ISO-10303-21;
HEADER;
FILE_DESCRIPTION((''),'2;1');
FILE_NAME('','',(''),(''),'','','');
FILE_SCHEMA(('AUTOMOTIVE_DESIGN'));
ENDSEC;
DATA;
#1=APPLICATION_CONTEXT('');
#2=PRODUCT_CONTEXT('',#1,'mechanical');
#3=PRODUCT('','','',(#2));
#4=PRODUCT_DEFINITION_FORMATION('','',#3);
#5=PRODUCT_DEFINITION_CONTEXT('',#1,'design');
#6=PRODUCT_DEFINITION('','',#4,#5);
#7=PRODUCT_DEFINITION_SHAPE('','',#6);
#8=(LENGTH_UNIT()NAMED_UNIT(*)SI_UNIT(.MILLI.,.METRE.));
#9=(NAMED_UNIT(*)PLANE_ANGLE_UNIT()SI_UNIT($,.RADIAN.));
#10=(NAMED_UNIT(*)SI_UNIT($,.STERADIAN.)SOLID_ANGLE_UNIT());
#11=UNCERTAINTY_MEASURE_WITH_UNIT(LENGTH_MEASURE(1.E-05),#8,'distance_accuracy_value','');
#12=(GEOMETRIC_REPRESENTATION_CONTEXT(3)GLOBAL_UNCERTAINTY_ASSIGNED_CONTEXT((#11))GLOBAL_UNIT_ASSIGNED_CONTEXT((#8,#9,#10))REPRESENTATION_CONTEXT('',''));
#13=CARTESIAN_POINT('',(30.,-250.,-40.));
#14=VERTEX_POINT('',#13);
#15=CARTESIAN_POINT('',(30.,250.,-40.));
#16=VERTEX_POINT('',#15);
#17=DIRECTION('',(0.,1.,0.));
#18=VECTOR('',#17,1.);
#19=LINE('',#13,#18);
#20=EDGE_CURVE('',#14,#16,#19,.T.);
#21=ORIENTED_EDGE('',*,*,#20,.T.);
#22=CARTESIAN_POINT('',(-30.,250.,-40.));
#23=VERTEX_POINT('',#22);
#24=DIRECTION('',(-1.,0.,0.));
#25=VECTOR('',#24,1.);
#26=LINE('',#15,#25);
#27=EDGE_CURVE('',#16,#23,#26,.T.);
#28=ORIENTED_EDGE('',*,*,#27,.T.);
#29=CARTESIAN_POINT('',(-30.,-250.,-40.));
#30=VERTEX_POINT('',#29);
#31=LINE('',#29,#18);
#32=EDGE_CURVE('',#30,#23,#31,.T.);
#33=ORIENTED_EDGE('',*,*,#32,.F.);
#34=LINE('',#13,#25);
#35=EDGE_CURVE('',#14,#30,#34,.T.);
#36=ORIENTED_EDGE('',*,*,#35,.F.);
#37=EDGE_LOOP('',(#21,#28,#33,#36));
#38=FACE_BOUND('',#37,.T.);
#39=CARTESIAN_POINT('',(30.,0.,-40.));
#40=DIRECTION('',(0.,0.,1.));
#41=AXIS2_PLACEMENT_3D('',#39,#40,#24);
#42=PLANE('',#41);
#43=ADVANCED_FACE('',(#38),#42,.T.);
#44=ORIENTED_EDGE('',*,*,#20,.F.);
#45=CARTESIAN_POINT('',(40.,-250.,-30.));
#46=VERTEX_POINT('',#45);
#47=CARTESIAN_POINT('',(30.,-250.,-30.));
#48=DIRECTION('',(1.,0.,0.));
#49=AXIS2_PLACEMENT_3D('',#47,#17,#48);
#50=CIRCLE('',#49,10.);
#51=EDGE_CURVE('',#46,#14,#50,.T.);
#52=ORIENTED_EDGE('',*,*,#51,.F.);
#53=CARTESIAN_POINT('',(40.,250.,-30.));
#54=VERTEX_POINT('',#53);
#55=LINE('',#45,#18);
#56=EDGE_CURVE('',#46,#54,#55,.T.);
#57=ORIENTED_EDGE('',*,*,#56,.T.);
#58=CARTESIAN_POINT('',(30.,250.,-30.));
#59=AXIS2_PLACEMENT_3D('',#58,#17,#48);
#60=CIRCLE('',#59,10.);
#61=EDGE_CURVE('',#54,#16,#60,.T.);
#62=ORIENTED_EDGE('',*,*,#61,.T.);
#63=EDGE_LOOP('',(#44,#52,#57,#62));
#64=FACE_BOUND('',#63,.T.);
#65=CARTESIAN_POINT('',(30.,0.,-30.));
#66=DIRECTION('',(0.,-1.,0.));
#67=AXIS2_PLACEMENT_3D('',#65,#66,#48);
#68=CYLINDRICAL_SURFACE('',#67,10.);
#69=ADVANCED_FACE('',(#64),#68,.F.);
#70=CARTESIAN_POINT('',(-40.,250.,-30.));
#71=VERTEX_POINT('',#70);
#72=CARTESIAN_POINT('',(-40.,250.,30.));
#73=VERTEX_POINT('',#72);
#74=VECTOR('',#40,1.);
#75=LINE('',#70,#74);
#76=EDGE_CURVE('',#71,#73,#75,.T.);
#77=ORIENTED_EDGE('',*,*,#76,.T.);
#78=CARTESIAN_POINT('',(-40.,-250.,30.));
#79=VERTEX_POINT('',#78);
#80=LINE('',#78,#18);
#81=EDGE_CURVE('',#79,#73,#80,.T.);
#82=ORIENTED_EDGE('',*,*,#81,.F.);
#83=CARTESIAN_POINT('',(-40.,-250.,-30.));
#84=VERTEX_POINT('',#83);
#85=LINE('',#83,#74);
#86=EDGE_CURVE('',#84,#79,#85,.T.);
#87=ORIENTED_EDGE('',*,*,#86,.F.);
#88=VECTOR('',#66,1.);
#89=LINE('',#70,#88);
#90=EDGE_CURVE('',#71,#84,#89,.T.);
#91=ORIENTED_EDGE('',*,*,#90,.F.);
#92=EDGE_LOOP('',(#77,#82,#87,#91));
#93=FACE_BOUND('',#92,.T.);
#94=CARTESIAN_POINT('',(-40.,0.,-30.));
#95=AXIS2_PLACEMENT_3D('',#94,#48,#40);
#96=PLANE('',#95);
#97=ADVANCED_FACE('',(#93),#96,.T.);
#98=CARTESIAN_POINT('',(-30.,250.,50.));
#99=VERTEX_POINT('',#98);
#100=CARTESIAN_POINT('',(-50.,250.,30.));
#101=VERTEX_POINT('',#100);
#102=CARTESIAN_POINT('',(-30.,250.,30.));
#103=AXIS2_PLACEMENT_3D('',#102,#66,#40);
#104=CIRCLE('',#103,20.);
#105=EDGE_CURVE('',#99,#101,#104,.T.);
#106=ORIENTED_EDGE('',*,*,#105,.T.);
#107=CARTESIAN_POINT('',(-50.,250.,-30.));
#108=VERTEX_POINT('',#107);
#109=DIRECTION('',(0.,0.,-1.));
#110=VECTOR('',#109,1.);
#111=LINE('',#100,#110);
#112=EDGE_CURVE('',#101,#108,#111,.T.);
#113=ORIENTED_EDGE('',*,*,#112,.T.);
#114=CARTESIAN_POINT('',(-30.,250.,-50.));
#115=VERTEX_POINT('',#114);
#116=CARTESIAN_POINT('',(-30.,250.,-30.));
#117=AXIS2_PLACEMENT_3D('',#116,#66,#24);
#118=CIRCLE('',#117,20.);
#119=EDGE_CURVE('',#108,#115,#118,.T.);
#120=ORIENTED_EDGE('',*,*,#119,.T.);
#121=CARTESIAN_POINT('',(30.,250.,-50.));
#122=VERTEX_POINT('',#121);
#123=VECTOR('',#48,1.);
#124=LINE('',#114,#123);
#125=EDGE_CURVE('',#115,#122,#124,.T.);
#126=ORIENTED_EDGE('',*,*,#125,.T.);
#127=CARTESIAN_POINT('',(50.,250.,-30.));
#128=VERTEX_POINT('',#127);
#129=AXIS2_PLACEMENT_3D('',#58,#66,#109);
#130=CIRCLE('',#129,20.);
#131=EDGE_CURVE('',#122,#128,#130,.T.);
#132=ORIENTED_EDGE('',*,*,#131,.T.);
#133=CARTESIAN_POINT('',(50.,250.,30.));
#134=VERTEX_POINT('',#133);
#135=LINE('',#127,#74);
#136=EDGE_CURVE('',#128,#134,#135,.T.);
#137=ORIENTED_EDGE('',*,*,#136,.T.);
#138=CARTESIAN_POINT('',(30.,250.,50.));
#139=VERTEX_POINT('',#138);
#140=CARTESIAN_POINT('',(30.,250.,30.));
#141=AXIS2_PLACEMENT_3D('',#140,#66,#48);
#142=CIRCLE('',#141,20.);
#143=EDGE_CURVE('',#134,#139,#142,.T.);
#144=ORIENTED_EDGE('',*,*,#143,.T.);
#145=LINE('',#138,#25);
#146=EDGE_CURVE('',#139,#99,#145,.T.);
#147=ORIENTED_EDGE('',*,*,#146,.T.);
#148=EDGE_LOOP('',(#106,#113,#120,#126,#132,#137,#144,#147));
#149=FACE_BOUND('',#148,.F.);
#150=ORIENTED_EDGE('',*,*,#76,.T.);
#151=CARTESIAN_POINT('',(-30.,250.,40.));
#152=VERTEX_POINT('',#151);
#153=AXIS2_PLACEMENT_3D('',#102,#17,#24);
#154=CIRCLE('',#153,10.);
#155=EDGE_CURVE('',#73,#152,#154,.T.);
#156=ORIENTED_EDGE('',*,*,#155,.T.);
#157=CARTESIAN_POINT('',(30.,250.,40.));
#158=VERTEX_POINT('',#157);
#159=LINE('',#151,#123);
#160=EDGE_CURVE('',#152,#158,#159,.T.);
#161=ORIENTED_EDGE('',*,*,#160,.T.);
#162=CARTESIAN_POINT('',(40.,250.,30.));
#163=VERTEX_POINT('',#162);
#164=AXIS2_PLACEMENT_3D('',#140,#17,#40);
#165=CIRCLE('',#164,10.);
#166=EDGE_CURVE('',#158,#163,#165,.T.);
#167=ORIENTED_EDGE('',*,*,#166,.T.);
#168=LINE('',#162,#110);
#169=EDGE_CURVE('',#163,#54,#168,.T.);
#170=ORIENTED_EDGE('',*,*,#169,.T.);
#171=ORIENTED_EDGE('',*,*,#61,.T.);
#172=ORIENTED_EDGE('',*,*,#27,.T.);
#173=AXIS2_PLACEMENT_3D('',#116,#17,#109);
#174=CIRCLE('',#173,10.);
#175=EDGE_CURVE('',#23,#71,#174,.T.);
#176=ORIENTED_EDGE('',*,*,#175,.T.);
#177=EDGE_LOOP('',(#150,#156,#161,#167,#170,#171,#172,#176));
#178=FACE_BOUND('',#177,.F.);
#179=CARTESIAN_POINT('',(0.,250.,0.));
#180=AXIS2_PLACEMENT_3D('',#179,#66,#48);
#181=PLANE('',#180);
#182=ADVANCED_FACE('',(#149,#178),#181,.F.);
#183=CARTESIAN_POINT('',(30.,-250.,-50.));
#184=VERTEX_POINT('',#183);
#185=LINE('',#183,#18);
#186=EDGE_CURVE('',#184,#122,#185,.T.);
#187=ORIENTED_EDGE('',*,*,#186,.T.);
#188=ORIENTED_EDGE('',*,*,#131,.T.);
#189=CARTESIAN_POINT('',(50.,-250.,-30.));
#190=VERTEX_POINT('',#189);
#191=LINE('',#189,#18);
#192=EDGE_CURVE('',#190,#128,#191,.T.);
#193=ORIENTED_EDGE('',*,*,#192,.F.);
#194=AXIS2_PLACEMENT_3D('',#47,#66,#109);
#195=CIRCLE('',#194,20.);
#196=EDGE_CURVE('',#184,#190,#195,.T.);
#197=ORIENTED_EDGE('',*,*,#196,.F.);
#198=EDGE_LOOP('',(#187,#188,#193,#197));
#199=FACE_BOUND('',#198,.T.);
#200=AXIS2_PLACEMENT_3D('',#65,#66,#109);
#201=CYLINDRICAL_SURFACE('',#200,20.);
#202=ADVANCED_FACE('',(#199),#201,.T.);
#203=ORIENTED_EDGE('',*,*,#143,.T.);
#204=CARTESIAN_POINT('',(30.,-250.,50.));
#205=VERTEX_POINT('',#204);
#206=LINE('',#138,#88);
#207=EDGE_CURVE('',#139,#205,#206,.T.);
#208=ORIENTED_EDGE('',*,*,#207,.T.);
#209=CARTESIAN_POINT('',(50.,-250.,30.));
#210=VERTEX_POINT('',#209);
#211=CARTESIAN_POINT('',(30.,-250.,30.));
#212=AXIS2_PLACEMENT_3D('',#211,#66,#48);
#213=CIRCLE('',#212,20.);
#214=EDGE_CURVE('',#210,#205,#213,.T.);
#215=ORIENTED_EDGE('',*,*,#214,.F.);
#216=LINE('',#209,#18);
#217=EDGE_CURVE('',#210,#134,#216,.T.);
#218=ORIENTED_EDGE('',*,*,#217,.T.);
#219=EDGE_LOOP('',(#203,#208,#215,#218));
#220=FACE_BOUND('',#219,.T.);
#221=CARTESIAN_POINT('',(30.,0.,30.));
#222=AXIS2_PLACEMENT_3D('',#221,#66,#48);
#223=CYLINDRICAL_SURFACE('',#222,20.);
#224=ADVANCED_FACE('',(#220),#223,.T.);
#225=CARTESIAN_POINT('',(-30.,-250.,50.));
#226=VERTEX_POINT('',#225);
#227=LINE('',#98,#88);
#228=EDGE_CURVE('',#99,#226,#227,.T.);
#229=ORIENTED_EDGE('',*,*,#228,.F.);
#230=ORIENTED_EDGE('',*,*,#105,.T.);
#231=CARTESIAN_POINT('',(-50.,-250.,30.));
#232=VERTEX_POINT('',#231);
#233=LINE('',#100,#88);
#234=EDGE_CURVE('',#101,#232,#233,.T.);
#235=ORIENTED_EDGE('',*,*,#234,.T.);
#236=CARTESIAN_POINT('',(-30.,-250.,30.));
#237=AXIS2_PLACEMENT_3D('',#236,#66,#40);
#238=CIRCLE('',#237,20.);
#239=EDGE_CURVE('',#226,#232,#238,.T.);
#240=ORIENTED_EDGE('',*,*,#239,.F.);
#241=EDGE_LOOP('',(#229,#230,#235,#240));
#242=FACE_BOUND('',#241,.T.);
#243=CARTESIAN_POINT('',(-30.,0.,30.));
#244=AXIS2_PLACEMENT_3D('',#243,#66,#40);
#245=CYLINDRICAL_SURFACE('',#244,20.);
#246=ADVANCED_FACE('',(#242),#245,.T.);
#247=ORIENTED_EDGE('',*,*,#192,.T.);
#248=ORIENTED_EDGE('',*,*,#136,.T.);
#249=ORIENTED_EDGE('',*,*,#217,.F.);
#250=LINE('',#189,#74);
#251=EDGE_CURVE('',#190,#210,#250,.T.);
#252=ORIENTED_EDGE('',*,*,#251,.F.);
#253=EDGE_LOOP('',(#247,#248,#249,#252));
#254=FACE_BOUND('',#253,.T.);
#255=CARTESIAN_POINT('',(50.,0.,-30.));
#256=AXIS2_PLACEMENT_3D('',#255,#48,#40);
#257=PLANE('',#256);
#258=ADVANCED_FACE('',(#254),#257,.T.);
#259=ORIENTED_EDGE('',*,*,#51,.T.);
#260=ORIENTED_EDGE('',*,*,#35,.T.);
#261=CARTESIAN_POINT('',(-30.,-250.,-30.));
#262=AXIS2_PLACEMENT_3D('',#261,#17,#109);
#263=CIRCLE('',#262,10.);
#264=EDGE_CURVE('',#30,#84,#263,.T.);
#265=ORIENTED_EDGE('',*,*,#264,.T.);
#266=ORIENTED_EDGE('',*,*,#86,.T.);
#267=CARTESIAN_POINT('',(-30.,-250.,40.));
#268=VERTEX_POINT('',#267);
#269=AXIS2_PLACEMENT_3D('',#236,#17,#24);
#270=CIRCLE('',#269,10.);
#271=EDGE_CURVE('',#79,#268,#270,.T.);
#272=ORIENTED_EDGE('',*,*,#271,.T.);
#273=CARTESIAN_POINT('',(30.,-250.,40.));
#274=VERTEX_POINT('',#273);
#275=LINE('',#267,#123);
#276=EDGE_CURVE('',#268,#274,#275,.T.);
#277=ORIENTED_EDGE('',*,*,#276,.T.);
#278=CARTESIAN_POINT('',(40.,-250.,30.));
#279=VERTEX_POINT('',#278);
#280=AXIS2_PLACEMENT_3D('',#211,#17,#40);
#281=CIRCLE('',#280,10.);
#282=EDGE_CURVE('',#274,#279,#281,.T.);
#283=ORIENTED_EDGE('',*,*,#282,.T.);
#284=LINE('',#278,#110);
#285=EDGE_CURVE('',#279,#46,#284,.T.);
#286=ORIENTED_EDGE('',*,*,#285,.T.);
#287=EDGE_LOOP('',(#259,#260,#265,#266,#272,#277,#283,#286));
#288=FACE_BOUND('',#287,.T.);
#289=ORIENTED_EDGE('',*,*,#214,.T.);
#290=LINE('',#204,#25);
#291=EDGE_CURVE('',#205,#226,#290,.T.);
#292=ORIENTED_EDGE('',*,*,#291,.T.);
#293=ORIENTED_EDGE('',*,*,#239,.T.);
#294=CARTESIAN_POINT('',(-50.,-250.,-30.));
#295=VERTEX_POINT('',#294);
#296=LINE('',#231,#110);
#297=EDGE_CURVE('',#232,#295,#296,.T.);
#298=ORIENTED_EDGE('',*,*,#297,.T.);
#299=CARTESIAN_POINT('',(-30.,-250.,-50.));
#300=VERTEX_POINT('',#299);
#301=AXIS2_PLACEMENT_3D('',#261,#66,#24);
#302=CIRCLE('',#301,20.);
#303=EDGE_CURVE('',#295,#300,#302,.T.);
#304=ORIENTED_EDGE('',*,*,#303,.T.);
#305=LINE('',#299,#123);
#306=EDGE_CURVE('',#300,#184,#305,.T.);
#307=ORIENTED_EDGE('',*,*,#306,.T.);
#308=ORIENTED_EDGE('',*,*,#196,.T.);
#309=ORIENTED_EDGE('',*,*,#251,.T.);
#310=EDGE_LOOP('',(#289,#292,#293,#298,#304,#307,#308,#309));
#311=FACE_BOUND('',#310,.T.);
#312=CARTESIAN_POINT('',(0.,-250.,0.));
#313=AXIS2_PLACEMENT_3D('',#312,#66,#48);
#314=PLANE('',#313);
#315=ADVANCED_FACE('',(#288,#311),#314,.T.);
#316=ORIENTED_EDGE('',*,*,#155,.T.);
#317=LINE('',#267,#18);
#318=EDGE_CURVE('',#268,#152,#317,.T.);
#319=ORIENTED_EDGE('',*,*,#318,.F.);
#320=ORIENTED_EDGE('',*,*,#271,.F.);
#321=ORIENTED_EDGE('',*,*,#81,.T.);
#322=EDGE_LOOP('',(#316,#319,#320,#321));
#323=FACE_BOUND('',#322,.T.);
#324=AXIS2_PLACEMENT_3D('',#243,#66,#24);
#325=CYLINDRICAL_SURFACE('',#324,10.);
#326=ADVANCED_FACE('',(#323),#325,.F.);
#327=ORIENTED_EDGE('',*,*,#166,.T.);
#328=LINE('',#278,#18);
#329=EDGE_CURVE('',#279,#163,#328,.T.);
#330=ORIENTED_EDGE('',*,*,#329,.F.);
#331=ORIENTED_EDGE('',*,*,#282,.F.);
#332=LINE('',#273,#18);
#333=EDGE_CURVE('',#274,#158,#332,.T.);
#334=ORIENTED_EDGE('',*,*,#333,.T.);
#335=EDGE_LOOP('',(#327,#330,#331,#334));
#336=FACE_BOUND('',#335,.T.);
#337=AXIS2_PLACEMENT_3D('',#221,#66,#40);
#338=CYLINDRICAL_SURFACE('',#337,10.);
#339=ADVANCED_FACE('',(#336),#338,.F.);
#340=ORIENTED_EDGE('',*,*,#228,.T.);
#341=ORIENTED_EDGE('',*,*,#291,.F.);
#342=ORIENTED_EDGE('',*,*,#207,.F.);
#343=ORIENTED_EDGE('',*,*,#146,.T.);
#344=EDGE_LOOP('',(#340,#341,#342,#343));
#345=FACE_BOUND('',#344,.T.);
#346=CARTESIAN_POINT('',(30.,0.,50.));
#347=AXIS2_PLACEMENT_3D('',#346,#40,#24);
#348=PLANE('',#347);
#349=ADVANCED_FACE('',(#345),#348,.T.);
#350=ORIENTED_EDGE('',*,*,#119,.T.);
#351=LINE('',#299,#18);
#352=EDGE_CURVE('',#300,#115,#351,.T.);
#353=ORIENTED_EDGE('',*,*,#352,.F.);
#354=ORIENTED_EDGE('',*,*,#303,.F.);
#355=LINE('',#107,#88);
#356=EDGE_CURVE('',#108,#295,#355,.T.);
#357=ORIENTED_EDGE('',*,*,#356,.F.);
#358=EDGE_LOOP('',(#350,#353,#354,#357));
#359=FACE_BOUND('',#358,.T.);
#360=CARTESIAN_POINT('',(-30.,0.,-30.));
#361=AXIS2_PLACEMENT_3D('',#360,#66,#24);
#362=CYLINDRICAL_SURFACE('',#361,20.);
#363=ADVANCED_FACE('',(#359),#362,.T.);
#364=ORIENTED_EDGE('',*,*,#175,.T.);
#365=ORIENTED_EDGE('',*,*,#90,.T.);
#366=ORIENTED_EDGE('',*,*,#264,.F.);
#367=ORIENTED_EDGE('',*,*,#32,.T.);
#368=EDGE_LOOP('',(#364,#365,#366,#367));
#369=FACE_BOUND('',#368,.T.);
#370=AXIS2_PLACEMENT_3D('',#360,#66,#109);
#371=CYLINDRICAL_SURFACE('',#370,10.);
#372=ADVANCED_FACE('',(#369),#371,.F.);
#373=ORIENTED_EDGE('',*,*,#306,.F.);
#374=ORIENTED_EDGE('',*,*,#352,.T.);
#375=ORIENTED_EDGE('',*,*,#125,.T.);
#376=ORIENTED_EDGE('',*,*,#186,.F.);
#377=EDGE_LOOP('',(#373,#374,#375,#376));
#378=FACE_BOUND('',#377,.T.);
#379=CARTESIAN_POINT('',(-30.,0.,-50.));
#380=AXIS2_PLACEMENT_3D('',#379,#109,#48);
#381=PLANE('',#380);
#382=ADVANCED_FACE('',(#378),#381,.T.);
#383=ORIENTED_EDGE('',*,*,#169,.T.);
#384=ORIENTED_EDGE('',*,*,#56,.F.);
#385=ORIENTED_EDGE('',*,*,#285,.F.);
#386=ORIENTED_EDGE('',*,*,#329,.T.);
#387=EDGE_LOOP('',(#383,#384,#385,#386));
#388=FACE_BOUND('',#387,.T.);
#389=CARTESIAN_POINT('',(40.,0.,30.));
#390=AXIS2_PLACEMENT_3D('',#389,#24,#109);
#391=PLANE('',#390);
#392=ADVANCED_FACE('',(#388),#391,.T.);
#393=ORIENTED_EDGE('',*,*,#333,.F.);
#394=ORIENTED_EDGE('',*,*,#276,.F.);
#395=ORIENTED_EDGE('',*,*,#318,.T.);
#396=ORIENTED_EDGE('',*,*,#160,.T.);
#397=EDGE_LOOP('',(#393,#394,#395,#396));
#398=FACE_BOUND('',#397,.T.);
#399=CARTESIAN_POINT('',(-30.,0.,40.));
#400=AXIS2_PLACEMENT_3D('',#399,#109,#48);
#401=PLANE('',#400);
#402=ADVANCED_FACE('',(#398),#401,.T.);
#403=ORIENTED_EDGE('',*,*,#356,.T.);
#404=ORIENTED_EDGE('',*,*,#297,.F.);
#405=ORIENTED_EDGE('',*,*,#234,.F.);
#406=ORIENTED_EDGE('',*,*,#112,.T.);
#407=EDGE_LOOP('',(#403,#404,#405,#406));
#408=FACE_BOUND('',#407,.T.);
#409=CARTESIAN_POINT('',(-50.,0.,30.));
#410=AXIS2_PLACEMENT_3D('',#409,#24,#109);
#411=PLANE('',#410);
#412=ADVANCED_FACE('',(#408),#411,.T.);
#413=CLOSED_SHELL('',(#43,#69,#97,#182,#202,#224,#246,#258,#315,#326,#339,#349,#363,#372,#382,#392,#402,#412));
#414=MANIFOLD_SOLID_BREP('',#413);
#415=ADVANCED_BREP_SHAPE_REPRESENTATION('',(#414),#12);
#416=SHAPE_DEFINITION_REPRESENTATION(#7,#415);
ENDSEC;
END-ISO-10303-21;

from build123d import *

# Parameters (mm, degrees)
F1_DEPTH = 250


with BuildPart() as f1:
    # F0 (on Front) → F1 (new body, symmetric)
    with BuildSketch(Plane.XZ):
        with BuildLine():
            ThreePointArc((50, 30), (44.1421356237, 44.1421356237), (30, 50))
            Line((30, 50), (-30, 50))
            ThreePointArc((-30, 50), (-44.1421356237, 44.1421356237), (-50, 30))
            Line((-50, 30), (-50, -30))
            ThreePointArc((-50, -30), (-44.1421356237, -44.1421356237), (-30, -50))
            Line((-30, -50), (30, -50))
            ThreePointArc((30, -50), (44.1421356237, -44.1421356237), (50, -30))
            Line((50, -30), (50, 30))
        make_face()
        with BuildLine():
            Line((-40, -30), (-40, 30))
            ThreePointArc((-40, 30), (-37.0710678119, 37.0710678119), (-30, 40))
            Line((-30, 40), (30, 40))
            ThreePointArc((30, 40), (37.0710678119, 37.0710678119), (40, 30))
            Line((40, 30), (40, -30))
            ThreePointArc((40, -30), (37.0710678119, -37.0710678119), (30, -40))
            Line((30, -40), (-30, -40))
            ThreePointArc((-30, -40), (-37.0710678119, -37.0710678119), (-40, -30))
        make_face(mode=Mode.SUBTRACT)
    extrude(amount=F1_DEPTH, both=True)


solid = f1.part
